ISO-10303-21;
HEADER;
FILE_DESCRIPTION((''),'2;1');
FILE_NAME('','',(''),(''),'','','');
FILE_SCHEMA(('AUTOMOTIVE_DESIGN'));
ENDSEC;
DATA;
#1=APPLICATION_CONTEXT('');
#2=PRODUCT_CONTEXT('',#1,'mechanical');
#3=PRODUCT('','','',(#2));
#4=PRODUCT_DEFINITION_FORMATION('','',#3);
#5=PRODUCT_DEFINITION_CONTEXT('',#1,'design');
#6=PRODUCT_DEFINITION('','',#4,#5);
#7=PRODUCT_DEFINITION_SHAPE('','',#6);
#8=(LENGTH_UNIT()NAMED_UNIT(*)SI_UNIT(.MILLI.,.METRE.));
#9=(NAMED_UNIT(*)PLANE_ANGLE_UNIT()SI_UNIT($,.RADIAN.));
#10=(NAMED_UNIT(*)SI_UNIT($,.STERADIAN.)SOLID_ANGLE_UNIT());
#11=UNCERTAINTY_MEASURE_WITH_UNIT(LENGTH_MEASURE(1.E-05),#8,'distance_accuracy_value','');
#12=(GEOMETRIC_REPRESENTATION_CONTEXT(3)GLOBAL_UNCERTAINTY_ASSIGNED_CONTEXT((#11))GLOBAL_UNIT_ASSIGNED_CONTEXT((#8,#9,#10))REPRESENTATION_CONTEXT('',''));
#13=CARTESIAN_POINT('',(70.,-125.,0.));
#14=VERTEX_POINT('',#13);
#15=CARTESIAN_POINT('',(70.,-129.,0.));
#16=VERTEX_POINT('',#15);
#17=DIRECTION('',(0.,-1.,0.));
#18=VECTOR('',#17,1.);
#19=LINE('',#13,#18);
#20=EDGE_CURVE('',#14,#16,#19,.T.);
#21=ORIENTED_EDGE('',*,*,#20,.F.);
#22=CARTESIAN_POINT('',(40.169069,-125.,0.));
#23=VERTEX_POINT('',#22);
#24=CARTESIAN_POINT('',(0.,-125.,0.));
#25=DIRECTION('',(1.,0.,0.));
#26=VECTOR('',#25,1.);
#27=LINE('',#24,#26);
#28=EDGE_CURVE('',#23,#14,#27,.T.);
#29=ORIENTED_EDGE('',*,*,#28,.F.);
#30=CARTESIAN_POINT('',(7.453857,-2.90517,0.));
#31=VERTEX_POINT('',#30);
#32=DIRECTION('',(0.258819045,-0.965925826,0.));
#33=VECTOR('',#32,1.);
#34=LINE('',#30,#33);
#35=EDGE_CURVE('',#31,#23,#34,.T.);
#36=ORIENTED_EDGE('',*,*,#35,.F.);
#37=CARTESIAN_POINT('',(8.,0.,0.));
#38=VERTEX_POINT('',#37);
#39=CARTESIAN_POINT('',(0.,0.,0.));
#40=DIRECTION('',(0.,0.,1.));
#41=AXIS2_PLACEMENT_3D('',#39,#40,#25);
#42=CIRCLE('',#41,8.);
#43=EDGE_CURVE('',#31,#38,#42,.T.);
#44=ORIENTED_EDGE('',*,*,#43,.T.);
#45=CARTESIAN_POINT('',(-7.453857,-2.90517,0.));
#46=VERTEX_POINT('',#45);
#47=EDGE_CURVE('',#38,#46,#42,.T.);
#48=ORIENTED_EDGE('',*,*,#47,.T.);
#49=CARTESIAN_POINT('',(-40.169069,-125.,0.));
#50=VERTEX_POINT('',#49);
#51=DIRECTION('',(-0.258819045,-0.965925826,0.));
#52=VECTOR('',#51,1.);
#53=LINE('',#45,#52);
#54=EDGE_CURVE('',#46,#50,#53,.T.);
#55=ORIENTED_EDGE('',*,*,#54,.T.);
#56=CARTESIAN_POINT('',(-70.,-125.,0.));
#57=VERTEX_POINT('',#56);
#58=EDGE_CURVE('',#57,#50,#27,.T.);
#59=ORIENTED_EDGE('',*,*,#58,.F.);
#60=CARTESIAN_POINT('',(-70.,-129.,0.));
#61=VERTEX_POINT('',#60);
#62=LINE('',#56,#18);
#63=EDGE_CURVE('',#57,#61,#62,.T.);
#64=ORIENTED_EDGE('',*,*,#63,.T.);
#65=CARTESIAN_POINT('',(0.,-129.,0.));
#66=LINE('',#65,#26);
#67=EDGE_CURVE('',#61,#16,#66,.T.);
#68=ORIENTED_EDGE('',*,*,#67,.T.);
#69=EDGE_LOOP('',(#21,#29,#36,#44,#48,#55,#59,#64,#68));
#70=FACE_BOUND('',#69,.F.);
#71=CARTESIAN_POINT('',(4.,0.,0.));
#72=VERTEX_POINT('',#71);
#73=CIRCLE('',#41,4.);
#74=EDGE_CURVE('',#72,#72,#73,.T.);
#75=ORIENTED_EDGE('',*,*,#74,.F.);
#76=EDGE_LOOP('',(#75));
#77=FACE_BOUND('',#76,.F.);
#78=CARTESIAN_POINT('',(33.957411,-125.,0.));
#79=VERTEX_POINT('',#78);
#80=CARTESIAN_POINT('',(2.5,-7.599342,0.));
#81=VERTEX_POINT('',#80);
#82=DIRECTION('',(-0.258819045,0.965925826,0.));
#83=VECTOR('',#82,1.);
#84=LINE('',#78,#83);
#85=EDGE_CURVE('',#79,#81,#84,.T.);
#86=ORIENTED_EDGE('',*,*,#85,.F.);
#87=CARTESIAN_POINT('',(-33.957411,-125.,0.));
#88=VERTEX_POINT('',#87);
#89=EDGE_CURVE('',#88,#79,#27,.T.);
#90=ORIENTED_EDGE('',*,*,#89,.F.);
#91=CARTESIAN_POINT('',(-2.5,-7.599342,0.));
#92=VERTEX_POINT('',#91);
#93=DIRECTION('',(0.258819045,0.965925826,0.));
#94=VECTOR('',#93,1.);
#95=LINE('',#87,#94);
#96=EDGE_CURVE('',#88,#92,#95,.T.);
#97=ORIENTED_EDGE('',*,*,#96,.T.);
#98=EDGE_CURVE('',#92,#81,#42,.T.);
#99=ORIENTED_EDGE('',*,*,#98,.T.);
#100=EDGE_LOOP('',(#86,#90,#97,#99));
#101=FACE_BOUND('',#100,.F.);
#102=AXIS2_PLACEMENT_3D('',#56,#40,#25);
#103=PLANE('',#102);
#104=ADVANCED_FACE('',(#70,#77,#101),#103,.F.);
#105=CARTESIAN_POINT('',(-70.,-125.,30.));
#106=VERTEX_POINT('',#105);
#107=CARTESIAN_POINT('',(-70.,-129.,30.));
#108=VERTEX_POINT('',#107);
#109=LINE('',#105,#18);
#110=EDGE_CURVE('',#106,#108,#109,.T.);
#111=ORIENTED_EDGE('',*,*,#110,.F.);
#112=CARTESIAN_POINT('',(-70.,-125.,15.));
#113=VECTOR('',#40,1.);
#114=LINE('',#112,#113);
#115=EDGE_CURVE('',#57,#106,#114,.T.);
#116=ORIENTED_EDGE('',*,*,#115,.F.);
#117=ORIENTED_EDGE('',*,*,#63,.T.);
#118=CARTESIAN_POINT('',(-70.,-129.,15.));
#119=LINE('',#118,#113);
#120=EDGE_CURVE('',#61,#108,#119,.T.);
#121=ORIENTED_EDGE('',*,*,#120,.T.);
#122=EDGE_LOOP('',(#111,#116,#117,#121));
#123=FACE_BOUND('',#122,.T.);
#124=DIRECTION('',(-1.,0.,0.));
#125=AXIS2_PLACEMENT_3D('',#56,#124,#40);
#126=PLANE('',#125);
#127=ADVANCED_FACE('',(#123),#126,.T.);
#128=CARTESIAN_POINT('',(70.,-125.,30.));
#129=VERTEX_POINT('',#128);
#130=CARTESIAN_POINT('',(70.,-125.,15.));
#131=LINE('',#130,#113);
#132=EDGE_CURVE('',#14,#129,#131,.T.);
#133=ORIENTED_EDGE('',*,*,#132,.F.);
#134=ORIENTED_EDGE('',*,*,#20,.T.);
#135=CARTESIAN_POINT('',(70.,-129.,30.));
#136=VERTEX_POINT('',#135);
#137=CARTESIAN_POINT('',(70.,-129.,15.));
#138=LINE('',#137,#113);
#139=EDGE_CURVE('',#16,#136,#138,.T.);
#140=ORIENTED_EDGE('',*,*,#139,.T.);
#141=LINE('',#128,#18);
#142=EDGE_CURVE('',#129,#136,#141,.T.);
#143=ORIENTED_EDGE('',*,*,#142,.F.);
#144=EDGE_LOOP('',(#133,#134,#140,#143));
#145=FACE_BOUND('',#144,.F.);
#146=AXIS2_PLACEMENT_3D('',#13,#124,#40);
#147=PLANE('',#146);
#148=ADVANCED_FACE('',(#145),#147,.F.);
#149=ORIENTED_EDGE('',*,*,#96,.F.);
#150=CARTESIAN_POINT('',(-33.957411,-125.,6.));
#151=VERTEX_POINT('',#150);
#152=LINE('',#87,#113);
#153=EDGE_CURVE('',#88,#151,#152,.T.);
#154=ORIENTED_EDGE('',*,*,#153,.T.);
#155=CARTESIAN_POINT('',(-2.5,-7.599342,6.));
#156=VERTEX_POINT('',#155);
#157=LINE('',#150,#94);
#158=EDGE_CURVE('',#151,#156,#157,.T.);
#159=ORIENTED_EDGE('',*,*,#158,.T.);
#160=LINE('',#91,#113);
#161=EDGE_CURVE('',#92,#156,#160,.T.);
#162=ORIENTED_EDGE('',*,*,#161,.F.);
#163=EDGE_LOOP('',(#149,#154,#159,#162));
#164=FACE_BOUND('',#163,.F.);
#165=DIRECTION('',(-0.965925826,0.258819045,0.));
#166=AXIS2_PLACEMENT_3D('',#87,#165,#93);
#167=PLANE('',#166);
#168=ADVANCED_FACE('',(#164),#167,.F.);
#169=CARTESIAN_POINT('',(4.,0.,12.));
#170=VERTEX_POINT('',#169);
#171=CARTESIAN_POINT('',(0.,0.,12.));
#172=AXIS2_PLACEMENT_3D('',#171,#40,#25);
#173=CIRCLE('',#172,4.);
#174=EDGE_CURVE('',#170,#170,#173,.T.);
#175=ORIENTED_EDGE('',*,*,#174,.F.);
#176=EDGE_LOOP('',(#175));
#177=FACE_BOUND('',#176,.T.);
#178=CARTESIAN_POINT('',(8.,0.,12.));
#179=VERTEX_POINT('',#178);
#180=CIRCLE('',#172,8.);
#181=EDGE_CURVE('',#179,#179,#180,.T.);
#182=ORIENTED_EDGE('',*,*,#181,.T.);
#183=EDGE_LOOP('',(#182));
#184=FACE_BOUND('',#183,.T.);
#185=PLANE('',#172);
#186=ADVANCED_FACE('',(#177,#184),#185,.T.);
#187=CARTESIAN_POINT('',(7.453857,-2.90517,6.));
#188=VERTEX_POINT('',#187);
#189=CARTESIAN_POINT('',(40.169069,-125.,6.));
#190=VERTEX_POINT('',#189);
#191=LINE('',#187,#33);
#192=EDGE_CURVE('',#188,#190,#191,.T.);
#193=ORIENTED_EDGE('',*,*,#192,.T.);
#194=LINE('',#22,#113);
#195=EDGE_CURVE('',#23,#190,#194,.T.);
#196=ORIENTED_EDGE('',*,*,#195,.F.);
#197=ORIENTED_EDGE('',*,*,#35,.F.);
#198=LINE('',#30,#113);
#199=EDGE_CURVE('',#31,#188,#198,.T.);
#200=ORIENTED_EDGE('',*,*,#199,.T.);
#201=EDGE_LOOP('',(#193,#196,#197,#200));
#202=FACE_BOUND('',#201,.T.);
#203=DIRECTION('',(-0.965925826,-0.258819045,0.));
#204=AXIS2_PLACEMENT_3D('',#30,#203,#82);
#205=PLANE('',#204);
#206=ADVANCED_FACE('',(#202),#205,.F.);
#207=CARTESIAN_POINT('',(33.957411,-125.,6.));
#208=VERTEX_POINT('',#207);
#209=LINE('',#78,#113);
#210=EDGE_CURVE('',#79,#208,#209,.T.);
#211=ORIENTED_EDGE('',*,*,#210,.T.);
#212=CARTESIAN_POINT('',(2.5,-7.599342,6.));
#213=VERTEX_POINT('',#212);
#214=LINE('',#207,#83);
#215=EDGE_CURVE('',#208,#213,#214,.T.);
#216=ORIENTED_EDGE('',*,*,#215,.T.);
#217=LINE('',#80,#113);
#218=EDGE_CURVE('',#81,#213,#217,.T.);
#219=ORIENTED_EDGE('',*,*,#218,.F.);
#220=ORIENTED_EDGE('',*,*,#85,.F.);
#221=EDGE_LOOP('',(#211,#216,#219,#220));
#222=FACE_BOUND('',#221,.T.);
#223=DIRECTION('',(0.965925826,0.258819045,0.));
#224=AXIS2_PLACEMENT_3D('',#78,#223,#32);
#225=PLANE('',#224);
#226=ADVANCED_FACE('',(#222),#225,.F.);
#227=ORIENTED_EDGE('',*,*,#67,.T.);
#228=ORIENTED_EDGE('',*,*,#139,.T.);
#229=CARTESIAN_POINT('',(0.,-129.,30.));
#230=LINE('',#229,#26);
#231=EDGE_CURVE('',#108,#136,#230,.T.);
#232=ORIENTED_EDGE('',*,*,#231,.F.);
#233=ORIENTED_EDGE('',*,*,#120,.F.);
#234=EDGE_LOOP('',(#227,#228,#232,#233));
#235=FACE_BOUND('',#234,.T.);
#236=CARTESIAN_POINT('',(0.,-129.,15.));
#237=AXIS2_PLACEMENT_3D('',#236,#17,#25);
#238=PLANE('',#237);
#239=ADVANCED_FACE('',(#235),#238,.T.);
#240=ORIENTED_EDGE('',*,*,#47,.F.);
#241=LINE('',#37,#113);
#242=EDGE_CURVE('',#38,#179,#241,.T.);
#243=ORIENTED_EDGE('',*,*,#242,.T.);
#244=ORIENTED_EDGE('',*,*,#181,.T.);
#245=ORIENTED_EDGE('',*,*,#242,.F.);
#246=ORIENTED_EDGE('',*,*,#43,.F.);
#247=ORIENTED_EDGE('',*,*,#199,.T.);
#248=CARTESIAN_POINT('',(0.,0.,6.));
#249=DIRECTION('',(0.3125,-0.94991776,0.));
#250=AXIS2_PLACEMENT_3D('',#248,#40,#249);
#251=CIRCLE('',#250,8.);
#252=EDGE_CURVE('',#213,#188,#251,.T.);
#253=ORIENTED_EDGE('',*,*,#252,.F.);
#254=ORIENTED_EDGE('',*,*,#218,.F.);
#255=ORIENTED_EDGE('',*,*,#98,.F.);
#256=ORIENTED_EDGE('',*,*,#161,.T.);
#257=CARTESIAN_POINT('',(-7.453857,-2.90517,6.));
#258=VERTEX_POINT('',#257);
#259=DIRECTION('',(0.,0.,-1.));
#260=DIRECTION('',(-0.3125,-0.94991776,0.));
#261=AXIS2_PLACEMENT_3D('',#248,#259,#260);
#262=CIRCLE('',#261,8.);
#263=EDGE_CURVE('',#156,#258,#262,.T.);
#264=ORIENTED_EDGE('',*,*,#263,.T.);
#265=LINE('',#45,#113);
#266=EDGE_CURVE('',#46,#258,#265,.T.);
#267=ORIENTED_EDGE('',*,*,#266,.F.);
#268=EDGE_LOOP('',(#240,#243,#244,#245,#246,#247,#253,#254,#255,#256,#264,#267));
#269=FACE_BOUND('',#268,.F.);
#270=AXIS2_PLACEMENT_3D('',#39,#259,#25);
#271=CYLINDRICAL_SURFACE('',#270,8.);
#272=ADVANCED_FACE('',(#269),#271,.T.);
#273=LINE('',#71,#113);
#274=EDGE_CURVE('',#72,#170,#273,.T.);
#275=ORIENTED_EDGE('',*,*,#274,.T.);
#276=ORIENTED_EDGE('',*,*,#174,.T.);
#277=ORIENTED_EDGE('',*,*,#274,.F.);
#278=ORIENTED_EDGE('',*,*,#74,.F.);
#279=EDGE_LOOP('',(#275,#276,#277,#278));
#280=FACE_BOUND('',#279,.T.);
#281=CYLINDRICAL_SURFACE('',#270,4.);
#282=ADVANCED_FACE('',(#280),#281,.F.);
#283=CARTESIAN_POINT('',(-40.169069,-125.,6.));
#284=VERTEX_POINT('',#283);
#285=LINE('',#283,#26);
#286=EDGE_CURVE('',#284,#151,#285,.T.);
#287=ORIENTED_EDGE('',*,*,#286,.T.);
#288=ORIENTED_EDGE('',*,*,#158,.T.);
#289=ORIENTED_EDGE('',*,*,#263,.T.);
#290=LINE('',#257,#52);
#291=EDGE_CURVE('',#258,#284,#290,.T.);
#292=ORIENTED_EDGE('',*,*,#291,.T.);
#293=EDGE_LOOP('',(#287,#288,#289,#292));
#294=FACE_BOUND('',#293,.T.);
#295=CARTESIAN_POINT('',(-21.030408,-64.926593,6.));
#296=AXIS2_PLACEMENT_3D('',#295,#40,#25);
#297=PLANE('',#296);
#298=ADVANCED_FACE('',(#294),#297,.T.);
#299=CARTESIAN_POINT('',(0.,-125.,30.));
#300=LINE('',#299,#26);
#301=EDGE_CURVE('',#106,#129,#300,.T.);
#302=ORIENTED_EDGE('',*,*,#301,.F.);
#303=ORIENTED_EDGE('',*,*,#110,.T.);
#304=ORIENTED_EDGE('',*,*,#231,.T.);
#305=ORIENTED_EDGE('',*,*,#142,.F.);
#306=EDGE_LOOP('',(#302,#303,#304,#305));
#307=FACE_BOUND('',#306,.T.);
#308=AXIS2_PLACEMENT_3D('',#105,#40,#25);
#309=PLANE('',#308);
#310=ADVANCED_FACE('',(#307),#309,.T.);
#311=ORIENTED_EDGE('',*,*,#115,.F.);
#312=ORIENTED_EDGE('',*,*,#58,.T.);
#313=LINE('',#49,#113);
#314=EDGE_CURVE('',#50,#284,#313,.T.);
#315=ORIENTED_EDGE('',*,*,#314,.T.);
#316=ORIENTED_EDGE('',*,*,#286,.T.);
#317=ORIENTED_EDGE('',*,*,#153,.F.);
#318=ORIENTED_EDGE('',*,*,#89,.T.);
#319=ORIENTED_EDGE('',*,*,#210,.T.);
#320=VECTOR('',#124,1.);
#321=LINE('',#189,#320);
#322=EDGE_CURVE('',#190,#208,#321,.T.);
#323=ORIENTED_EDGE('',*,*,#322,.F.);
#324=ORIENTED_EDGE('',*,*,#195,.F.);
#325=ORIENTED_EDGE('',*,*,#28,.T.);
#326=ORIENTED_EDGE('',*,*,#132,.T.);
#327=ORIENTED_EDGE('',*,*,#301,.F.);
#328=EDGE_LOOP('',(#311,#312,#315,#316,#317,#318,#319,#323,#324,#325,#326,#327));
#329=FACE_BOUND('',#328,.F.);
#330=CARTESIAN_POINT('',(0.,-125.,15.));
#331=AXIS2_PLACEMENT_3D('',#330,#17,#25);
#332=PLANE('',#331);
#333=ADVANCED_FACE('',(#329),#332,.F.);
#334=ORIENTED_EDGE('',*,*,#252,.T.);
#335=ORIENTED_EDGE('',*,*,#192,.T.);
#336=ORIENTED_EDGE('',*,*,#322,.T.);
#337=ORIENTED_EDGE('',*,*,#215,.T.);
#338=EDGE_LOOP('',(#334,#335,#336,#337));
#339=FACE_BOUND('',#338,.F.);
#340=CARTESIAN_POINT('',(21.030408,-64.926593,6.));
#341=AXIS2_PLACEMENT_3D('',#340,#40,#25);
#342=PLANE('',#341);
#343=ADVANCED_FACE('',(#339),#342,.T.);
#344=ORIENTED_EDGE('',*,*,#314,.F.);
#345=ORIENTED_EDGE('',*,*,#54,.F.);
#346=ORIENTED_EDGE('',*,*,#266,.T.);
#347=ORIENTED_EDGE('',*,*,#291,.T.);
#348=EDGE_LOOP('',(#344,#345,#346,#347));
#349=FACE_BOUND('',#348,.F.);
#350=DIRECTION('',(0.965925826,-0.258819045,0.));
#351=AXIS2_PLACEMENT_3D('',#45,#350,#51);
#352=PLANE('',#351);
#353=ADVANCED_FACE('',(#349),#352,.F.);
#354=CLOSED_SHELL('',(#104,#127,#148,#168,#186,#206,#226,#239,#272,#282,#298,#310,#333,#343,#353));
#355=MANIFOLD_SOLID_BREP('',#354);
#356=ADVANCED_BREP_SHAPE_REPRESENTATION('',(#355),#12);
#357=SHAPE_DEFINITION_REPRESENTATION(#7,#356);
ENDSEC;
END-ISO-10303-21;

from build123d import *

# Parameters (mm, degrees)
SKETCH_3_R         = 8
SKETCH_3_R_2       = 4
EXTRUDE_716_DEPTH  = 12
EXTRUDE_1137_DEPTH = 6
SKETCH_7_W         = 140
SKETCH_7_H         = 30
EXTRUDE_1364_DEPTH = 4


with BuildPart() as part:
    # 草图3 → Extrude 716 (new body)
    with BuildSketch(Plane.XY):
        Circle(SKETCH_3_R)
        Circle(SKETCH_3_R_2, mode=Mode.SUBTRACT)
    extrude(amount=EXTRUDE_716_DEPTH)

    # 草图6 → Extrude 1137 (add)
    with BuildSketch(Plane.XY):
        with BuildLine():
            Line((-40.169068564, -125), (-33.957411481, -125))
            Line((-33.957411481, -125), (-2.5, -7.599342077))
            ThreePointArc((-2.5, -7.599342077), (-5.502602373, -5.807010171), (-7.45385736, -2.905169608))
            Line((-7.45385736, -2.905169608), (-40.169068564, -125))
        make_face()
    extrude_1137 = extrude(amount=EXTRUDE_1137_DEPTH)

    # Mirror 1200: Extrude 1137 across plane
    add(extrude_1137.mirror(Plane(origin=(0, 0, 0), x_dir=(0, 0, 1), z_dir=(1, 0, 0))))

    # 草图7 → Extrude 1364 (add)
    with BuildSketch(Plane.XZ.offset(125)):
        with Locations((0, 15)):
            Rectangle(SKETCH_7_W, SKETCH_7_H)
    extrude(amount=EXTRUDE_1364_DEPTH)


solid = part.part
